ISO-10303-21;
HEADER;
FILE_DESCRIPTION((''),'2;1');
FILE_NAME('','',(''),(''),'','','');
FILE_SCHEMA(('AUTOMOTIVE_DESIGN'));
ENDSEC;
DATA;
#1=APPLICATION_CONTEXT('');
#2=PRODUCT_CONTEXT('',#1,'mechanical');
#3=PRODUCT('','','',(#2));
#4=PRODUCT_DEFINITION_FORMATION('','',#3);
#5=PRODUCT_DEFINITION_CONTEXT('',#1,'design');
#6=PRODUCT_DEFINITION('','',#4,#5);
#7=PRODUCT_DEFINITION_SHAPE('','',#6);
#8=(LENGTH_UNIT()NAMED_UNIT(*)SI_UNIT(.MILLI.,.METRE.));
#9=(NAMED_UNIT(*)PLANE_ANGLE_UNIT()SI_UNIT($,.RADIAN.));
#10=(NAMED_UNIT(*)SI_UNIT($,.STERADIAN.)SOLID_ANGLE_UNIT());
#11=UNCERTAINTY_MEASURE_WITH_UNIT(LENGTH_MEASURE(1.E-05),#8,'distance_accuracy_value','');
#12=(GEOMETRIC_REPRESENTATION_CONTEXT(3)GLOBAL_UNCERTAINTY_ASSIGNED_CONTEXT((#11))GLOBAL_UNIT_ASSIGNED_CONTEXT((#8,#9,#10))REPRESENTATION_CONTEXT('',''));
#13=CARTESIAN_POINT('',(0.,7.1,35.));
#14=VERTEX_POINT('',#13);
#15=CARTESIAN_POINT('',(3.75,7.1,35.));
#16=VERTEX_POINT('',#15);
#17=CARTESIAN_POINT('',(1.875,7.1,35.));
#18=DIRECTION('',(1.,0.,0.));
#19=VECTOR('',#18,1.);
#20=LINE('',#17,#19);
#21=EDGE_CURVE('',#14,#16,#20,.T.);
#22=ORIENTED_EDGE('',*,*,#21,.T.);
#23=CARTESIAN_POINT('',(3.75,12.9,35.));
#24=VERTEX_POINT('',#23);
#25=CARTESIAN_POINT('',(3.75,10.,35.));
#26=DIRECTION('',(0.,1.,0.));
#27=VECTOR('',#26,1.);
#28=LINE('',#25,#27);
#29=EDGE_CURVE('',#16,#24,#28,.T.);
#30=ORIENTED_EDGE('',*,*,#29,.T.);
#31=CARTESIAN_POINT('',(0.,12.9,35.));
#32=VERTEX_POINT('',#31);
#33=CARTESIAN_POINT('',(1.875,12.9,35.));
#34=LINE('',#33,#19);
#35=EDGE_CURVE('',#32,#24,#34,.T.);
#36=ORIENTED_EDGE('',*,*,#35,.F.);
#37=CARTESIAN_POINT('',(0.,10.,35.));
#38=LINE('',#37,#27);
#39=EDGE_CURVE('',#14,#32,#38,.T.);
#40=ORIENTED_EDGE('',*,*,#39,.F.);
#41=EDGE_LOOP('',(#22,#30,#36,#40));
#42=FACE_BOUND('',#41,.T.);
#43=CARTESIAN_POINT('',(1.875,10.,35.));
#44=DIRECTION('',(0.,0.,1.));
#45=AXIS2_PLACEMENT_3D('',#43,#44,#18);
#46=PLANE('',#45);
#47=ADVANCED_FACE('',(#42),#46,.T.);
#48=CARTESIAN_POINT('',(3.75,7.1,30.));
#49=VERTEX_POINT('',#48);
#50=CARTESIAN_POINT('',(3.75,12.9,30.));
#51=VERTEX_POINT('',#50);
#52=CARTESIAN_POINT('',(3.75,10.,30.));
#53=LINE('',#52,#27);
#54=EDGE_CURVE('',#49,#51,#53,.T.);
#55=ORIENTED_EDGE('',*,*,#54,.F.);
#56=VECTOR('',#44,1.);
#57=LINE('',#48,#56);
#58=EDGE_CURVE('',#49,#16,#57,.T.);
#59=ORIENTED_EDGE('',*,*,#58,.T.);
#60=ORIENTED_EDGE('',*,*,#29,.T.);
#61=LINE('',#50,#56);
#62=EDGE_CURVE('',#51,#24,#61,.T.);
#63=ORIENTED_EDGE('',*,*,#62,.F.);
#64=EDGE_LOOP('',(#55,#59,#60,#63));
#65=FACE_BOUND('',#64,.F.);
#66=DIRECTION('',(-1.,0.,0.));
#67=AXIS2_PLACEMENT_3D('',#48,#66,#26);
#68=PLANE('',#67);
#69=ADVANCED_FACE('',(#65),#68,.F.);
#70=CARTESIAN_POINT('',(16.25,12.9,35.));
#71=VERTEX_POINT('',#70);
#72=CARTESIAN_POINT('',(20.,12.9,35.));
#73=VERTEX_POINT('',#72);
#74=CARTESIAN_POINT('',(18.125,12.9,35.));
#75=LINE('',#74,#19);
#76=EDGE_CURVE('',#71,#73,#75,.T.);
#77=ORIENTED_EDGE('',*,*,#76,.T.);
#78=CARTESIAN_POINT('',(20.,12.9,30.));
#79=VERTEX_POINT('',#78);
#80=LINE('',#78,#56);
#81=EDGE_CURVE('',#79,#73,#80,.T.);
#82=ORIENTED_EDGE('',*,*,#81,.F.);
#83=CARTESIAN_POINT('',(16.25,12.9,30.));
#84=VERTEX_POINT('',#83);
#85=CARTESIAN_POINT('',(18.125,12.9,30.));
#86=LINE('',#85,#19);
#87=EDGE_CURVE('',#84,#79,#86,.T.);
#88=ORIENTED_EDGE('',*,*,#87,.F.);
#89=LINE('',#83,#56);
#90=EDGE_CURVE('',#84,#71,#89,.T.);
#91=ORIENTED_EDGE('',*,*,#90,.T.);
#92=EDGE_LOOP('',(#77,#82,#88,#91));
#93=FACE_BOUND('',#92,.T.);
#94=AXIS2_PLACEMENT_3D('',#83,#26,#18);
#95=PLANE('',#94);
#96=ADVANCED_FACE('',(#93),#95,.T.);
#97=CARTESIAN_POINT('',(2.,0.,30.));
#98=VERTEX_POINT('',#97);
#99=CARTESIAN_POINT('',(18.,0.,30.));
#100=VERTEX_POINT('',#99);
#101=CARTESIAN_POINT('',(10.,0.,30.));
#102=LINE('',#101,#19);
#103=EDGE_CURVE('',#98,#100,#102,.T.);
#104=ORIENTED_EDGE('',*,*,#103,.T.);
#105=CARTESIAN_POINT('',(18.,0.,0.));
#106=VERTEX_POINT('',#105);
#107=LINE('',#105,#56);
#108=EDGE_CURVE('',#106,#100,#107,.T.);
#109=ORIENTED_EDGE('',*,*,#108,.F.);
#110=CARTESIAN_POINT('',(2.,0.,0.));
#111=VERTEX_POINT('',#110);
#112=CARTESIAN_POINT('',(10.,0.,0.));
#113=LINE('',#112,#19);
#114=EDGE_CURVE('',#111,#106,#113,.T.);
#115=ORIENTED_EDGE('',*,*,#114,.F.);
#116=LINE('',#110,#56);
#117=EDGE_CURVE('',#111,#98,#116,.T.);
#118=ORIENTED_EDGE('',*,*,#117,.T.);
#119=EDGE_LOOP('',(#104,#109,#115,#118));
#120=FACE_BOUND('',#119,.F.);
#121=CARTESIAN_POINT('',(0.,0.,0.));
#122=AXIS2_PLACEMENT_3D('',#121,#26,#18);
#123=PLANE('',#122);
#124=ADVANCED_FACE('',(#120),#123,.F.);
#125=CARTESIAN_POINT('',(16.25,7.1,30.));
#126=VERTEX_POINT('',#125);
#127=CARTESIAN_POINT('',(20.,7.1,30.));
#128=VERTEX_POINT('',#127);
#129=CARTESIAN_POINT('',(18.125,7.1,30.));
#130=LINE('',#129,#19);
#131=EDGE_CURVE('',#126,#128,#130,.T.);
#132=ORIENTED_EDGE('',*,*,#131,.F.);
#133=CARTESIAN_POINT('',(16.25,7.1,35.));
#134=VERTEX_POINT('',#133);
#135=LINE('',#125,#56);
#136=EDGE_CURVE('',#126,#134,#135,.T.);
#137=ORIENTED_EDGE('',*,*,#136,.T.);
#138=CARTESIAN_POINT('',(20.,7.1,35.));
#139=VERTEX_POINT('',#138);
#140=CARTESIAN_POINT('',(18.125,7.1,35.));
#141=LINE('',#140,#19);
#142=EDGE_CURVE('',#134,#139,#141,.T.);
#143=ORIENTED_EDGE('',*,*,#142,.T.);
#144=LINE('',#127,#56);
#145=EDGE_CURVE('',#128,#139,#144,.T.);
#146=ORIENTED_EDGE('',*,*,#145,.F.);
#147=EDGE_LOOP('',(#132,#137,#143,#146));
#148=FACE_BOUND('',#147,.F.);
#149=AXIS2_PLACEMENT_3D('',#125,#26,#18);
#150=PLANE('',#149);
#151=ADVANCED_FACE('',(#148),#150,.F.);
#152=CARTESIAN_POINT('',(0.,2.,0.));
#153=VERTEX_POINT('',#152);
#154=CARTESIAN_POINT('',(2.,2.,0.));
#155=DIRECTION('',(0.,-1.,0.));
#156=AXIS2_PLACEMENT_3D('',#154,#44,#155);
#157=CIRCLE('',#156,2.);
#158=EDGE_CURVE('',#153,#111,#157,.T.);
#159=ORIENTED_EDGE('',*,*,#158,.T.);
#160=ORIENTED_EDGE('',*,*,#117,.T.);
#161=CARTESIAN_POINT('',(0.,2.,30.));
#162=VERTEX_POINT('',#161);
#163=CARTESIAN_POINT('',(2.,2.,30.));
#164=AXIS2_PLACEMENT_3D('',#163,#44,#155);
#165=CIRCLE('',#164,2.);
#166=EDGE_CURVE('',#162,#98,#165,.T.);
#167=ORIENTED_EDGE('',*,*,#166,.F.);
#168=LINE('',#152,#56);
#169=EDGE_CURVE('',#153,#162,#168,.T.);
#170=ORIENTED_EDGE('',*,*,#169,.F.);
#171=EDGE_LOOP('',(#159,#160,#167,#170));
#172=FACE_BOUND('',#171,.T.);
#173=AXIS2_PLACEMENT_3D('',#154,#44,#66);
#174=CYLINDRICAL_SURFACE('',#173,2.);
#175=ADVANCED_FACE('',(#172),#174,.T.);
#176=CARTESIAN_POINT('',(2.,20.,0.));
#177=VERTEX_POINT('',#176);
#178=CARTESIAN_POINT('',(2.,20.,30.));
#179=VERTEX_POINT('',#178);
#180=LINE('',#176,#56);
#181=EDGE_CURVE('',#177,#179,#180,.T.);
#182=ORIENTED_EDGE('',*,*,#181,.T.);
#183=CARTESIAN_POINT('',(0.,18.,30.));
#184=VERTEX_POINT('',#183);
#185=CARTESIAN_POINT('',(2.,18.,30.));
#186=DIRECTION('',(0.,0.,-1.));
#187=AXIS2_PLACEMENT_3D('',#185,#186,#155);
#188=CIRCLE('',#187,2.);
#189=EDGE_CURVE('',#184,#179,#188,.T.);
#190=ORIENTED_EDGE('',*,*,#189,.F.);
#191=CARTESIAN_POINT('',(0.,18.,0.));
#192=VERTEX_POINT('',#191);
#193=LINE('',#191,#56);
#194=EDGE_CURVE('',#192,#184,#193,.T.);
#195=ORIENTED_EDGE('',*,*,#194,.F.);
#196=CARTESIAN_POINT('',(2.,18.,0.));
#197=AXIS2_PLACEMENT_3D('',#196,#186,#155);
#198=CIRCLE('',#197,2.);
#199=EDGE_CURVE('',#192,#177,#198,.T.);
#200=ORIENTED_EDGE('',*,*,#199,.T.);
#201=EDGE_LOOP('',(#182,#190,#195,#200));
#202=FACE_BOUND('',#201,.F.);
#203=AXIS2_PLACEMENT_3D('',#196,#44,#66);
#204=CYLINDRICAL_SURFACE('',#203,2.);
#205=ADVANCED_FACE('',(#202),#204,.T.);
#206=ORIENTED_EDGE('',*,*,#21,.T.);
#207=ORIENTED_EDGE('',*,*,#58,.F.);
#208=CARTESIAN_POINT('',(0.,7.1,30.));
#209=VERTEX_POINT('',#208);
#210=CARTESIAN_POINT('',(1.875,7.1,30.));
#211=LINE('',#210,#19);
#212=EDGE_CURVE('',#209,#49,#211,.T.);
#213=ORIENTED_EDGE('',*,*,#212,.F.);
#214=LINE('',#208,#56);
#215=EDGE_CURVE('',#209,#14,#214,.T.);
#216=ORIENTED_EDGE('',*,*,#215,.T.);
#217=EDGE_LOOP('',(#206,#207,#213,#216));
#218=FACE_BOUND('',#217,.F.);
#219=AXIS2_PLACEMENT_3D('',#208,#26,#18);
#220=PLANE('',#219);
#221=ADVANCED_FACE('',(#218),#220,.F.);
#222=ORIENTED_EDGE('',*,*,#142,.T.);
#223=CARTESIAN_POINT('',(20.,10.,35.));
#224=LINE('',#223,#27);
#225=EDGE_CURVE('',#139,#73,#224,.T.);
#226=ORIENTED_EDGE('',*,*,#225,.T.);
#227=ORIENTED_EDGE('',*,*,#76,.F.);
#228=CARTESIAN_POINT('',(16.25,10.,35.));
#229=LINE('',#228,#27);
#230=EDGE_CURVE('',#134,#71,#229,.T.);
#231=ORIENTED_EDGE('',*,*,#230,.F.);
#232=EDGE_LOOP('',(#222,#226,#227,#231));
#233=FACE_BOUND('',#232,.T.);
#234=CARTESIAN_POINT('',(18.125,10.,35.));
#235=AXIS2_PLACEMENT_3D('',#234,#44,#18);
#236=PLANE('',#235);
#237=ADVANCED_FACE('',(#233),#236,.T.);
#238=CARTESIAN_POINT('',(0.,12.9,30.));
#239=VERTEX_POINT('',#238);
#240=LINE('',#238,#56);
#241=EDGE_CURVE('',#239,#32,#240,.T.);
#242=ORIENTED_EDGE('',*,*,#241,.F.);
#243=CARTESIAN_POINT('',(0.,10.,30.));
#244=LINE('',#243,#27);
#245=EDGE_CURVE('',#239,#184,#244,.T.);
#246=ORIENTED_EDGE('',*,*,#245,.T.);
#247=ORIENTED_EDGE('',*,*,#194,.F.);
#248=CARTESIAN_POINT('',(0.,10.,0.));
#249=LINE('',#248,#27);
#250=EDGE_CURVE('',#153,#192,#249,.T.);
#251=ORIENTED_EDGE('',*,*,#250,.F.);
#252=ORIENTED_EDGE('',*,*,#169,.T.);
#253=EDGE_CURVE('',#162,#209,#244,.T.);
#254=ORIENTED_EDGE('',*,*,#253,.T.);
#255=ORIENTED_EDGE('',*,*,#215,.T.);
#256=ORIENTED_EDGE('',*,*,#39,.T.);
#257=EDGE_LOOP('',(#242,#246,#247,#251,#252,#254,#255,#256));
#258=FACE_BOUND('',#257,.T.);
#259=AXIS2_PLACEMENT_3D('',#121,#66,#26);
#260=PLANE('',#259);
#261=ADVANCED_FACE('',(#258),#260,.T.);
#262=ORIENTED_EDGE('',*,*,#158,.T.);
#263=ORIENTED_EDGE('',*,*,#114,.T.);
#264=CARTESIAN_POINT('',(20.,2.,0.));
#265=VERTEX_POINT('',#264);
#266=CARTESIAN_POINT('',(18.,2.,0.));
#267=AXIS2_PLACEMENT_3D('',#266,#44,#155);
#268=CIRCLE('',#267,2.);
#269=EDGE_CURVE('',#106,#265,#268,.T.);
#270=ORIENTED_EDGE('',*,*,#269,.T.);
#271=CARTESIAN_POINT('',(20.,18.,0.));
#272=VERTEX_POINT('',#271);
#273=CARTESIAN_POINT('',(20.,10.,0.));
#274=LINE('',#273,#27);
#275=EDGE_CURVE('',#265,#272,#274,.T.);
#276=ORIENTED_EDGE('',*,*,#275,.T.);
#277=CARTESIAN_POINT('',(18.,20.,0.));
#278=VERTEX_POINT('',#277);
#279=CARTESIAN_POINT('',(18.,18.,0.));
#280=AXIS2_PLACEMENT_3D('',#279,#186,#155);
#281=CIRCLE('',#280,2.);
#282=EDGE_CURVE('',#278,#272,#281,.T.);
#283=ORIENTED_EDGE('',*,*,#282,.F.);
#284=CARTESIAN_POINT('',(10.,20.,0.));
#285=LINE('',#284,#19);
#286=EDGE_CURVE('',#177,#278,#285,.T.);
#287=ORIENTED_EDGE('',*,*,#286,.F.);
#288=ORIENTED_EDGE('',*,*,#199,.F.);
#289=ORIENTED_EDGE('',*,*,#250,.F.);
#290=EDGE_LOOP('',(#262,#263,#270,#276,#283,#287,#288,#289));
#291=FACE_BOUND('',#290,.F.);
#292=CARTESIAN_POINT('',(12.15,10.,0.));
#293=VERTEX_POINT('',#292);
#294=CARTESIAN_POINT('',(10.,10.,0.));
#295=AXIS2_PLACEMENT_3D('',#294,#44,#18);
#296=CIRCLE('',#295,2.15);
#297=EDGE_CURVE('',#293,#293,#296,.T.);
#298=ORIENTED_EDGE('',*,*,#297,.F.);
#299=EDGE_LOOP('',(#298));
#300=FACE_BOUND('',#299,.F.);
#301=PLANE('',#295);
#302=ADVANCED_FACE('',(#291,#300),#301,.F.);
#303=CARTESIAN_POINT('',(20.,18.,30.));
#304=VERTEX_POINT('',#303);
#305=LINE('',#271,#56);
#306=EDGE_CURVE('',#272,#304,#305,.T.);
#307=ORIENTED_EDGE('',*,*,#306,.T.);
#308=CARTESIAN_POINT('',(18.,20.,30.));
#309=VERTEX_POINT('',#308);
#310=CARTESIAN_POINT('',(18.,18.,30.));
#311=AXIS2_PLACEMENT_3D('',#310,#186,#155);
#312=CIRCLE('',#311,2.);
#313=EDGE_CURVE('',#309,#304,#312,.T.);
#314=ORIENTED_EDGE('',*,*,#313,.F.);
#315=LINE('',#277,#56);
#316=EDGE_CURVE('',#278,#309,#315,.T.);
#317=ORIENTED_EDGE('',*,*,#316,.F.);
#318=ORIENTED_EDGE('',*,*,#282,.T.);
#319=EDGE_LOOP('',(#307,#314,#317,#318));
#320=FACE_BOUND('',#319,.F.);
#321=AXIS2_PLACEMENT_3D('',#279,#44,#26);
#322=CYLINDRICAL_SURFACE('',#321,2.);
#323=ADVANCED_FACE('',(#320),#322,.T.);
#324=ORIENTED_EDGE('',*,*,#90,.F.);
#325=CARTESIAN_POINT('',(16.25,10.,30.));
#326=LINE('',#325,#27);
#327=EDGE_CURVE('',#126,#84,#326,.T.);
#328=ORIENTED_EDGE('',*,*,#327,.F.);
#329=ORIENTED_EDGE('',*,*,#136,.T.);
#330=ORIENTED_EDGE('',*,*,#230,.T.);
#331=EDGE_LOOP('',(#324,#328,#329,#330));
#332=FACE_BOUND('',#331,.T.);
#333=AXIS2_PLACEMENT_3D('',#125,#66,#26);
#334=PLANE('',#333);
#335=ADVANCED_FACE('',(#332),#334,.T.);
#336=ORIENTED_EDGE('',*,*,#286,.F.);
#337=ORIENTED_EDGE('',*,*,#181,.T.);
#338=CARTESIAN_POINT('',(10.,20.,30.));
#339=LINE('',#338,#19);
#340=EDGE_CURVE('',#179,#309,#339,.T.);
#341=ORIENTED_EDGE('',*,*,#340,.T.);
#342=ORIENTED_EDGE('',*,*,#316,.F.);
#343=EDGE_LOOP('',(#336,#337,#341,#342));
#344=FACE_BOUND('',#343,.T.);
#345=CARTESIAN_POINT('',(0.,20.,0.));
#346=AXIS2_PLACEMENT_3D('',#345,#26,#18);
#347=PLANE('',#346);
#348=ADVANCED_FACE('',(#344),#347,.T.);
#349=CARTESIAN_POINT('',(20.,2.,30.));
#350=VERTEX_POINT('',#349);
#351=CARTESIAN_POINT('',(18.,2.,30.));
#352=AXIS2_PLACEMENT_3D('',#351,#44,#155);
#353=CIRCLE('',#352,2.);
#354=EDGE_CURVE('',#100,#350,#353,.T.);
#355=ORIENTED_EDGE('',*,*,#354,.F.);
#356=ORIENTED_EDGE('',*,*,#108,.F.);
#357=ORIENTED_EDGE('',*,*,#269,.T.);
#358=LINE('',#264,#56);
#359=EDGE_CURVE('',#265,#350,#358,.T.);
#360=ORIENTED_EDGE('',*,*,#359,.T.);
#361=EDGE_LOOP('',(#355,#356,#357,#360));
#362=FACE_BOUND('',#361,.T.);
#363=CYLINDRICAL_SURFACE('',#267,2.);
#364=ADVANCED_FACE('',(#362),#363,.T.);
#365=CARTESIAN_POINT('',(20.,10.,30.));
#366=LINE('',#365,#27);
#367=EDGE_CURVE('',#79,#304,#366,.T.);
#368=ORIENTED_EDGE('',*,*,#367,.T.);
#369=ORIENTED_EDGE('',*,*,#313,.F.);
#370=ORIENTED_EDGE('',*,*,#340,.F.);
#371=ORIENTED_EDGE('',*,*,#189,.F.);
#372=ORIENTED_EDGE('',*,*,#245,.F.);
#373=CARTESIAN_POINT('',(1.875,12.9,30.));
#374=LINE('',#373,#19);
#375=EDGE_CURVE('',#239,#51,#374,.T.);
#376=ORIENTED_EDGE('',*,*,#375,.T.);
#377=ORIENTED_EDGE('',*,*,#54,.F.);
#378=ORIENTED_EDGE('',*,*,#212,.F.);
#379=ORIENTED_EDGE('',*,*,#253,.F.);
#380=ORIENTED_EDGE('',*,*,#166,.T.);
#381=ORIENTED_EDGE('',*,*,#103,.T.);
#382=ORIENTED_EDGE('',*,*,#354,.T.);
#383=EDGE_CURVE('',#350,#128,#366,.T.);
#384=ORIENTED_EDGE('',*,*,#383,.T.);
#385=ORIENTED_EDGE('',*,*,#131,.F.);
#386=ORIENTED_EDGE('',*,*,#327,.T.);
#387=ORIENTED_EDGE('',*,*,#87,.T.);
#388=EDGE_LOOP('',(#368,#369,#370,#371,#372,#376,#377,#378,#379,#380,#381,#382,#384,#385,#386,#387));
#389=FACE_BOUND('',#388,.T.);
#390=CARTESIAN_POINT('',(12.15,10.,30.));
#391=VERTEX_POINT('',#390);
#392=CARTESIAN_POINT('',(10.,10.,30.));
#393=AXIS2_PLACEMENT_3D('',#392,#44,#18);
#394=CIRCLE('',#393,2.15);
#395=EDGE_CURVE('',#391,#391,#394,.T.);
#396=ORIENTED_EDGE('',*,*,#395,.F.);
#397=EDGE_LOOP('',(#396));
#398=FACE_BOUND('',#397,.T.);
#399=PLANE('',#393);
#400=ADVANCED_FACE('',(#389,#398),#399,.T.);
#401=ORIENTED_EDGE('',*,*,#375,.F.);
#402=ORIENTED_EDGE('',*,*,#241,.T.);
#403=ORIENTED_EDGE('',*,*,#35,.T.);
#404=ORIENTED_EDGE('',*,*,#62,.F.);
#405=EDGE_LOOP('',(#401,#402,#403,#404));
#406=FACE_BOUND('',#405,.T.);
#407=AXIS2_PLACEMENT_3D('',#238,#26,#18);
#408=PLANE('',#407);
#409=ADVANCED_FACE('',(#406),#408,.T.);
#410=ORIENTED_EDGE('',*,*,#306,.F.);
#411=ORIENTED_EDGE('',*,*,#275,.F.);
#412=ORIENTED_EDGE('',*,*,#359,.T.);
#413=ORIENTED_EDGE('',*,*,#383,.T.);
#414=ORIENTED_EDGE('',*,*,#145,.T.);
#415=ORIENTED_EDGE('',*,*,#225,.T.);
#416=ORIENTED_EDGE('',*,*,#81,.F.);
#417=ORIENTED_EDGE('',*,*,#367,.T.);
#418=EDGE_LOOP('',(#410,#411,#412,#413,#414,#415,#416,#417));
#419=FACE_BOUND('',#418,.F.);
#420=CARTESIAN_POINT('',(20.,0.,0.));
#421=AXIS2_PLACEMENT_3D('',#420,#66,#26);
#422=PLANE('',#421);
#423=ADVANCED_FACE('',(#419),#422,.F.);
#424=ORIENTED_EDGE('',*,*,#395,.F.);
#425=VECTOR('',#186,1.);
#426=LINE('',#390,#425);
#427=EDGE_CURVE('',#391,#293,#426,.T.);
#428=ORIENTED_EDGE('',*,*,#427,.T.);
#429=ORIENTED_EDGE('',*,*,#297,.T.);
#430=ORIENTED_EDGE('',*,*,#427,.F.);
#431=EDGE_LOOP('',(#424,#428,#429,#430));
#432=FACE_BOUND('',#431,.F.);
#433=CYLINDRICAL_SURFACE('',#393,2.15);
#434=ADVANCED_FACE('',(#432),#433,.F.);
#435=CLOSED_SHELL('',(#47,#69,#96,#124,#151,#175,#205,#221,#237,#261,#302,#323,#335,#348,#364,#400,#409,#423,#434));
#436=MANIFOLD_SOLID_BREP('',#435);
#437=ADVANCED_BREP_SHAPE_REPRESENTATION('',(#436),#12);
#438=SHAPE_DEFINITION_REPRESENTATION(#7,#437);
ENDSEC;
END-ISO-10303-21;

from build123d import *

# Parameters (mm, degrees)
F0_W     = 20
F0_H     = 20
F1_DEPTH = 30
F2_R     = 2.15
F3_DEPTH = 30.001
F4_R     = 2
F5_W     = 3.75
F5_H     = 5.8
F6_DEPTH = 5


with BuildPart() as f1:
    # F0 (on Top) → F1 (new body)
    with BuildSketch(Plane.XY):
        with Locations((10, 10)):
            Rectangle(F0_W, F0_H)
    extrude(amount=F1_DEPTH)

    # F2 (on face) → F3 (cut, through all)
    with BuildSketch(Plane.XY.offset(30)):
        with Locations((10, 10)):
            Circle(F2_R)
    extrude(amount=-F3_DEPTH, mode=Mode.SUBTRACT)

    # F4
    f4_edges = [f1.edges().sort_by_distance(p)[0] for p in [
        (20, 0, 15),
        (0, 0, 15),
        (20, 20, 15),
        (0, 20, 15),
    ]]
    fillet(f4_edges, radius=F4_R)

    # F5 (on face) → F6 (join)
    with BuildSketch(Plane.XY.offset(30)):
        with Locations((1.875, 10)):
            Rectangle(F5_W, F5_H)
        with Locations((18.125, 10)):
            Rectangle(F5_W, F5_H)
    extrude(amount=F6_DEPTH)


solid = f1.part
